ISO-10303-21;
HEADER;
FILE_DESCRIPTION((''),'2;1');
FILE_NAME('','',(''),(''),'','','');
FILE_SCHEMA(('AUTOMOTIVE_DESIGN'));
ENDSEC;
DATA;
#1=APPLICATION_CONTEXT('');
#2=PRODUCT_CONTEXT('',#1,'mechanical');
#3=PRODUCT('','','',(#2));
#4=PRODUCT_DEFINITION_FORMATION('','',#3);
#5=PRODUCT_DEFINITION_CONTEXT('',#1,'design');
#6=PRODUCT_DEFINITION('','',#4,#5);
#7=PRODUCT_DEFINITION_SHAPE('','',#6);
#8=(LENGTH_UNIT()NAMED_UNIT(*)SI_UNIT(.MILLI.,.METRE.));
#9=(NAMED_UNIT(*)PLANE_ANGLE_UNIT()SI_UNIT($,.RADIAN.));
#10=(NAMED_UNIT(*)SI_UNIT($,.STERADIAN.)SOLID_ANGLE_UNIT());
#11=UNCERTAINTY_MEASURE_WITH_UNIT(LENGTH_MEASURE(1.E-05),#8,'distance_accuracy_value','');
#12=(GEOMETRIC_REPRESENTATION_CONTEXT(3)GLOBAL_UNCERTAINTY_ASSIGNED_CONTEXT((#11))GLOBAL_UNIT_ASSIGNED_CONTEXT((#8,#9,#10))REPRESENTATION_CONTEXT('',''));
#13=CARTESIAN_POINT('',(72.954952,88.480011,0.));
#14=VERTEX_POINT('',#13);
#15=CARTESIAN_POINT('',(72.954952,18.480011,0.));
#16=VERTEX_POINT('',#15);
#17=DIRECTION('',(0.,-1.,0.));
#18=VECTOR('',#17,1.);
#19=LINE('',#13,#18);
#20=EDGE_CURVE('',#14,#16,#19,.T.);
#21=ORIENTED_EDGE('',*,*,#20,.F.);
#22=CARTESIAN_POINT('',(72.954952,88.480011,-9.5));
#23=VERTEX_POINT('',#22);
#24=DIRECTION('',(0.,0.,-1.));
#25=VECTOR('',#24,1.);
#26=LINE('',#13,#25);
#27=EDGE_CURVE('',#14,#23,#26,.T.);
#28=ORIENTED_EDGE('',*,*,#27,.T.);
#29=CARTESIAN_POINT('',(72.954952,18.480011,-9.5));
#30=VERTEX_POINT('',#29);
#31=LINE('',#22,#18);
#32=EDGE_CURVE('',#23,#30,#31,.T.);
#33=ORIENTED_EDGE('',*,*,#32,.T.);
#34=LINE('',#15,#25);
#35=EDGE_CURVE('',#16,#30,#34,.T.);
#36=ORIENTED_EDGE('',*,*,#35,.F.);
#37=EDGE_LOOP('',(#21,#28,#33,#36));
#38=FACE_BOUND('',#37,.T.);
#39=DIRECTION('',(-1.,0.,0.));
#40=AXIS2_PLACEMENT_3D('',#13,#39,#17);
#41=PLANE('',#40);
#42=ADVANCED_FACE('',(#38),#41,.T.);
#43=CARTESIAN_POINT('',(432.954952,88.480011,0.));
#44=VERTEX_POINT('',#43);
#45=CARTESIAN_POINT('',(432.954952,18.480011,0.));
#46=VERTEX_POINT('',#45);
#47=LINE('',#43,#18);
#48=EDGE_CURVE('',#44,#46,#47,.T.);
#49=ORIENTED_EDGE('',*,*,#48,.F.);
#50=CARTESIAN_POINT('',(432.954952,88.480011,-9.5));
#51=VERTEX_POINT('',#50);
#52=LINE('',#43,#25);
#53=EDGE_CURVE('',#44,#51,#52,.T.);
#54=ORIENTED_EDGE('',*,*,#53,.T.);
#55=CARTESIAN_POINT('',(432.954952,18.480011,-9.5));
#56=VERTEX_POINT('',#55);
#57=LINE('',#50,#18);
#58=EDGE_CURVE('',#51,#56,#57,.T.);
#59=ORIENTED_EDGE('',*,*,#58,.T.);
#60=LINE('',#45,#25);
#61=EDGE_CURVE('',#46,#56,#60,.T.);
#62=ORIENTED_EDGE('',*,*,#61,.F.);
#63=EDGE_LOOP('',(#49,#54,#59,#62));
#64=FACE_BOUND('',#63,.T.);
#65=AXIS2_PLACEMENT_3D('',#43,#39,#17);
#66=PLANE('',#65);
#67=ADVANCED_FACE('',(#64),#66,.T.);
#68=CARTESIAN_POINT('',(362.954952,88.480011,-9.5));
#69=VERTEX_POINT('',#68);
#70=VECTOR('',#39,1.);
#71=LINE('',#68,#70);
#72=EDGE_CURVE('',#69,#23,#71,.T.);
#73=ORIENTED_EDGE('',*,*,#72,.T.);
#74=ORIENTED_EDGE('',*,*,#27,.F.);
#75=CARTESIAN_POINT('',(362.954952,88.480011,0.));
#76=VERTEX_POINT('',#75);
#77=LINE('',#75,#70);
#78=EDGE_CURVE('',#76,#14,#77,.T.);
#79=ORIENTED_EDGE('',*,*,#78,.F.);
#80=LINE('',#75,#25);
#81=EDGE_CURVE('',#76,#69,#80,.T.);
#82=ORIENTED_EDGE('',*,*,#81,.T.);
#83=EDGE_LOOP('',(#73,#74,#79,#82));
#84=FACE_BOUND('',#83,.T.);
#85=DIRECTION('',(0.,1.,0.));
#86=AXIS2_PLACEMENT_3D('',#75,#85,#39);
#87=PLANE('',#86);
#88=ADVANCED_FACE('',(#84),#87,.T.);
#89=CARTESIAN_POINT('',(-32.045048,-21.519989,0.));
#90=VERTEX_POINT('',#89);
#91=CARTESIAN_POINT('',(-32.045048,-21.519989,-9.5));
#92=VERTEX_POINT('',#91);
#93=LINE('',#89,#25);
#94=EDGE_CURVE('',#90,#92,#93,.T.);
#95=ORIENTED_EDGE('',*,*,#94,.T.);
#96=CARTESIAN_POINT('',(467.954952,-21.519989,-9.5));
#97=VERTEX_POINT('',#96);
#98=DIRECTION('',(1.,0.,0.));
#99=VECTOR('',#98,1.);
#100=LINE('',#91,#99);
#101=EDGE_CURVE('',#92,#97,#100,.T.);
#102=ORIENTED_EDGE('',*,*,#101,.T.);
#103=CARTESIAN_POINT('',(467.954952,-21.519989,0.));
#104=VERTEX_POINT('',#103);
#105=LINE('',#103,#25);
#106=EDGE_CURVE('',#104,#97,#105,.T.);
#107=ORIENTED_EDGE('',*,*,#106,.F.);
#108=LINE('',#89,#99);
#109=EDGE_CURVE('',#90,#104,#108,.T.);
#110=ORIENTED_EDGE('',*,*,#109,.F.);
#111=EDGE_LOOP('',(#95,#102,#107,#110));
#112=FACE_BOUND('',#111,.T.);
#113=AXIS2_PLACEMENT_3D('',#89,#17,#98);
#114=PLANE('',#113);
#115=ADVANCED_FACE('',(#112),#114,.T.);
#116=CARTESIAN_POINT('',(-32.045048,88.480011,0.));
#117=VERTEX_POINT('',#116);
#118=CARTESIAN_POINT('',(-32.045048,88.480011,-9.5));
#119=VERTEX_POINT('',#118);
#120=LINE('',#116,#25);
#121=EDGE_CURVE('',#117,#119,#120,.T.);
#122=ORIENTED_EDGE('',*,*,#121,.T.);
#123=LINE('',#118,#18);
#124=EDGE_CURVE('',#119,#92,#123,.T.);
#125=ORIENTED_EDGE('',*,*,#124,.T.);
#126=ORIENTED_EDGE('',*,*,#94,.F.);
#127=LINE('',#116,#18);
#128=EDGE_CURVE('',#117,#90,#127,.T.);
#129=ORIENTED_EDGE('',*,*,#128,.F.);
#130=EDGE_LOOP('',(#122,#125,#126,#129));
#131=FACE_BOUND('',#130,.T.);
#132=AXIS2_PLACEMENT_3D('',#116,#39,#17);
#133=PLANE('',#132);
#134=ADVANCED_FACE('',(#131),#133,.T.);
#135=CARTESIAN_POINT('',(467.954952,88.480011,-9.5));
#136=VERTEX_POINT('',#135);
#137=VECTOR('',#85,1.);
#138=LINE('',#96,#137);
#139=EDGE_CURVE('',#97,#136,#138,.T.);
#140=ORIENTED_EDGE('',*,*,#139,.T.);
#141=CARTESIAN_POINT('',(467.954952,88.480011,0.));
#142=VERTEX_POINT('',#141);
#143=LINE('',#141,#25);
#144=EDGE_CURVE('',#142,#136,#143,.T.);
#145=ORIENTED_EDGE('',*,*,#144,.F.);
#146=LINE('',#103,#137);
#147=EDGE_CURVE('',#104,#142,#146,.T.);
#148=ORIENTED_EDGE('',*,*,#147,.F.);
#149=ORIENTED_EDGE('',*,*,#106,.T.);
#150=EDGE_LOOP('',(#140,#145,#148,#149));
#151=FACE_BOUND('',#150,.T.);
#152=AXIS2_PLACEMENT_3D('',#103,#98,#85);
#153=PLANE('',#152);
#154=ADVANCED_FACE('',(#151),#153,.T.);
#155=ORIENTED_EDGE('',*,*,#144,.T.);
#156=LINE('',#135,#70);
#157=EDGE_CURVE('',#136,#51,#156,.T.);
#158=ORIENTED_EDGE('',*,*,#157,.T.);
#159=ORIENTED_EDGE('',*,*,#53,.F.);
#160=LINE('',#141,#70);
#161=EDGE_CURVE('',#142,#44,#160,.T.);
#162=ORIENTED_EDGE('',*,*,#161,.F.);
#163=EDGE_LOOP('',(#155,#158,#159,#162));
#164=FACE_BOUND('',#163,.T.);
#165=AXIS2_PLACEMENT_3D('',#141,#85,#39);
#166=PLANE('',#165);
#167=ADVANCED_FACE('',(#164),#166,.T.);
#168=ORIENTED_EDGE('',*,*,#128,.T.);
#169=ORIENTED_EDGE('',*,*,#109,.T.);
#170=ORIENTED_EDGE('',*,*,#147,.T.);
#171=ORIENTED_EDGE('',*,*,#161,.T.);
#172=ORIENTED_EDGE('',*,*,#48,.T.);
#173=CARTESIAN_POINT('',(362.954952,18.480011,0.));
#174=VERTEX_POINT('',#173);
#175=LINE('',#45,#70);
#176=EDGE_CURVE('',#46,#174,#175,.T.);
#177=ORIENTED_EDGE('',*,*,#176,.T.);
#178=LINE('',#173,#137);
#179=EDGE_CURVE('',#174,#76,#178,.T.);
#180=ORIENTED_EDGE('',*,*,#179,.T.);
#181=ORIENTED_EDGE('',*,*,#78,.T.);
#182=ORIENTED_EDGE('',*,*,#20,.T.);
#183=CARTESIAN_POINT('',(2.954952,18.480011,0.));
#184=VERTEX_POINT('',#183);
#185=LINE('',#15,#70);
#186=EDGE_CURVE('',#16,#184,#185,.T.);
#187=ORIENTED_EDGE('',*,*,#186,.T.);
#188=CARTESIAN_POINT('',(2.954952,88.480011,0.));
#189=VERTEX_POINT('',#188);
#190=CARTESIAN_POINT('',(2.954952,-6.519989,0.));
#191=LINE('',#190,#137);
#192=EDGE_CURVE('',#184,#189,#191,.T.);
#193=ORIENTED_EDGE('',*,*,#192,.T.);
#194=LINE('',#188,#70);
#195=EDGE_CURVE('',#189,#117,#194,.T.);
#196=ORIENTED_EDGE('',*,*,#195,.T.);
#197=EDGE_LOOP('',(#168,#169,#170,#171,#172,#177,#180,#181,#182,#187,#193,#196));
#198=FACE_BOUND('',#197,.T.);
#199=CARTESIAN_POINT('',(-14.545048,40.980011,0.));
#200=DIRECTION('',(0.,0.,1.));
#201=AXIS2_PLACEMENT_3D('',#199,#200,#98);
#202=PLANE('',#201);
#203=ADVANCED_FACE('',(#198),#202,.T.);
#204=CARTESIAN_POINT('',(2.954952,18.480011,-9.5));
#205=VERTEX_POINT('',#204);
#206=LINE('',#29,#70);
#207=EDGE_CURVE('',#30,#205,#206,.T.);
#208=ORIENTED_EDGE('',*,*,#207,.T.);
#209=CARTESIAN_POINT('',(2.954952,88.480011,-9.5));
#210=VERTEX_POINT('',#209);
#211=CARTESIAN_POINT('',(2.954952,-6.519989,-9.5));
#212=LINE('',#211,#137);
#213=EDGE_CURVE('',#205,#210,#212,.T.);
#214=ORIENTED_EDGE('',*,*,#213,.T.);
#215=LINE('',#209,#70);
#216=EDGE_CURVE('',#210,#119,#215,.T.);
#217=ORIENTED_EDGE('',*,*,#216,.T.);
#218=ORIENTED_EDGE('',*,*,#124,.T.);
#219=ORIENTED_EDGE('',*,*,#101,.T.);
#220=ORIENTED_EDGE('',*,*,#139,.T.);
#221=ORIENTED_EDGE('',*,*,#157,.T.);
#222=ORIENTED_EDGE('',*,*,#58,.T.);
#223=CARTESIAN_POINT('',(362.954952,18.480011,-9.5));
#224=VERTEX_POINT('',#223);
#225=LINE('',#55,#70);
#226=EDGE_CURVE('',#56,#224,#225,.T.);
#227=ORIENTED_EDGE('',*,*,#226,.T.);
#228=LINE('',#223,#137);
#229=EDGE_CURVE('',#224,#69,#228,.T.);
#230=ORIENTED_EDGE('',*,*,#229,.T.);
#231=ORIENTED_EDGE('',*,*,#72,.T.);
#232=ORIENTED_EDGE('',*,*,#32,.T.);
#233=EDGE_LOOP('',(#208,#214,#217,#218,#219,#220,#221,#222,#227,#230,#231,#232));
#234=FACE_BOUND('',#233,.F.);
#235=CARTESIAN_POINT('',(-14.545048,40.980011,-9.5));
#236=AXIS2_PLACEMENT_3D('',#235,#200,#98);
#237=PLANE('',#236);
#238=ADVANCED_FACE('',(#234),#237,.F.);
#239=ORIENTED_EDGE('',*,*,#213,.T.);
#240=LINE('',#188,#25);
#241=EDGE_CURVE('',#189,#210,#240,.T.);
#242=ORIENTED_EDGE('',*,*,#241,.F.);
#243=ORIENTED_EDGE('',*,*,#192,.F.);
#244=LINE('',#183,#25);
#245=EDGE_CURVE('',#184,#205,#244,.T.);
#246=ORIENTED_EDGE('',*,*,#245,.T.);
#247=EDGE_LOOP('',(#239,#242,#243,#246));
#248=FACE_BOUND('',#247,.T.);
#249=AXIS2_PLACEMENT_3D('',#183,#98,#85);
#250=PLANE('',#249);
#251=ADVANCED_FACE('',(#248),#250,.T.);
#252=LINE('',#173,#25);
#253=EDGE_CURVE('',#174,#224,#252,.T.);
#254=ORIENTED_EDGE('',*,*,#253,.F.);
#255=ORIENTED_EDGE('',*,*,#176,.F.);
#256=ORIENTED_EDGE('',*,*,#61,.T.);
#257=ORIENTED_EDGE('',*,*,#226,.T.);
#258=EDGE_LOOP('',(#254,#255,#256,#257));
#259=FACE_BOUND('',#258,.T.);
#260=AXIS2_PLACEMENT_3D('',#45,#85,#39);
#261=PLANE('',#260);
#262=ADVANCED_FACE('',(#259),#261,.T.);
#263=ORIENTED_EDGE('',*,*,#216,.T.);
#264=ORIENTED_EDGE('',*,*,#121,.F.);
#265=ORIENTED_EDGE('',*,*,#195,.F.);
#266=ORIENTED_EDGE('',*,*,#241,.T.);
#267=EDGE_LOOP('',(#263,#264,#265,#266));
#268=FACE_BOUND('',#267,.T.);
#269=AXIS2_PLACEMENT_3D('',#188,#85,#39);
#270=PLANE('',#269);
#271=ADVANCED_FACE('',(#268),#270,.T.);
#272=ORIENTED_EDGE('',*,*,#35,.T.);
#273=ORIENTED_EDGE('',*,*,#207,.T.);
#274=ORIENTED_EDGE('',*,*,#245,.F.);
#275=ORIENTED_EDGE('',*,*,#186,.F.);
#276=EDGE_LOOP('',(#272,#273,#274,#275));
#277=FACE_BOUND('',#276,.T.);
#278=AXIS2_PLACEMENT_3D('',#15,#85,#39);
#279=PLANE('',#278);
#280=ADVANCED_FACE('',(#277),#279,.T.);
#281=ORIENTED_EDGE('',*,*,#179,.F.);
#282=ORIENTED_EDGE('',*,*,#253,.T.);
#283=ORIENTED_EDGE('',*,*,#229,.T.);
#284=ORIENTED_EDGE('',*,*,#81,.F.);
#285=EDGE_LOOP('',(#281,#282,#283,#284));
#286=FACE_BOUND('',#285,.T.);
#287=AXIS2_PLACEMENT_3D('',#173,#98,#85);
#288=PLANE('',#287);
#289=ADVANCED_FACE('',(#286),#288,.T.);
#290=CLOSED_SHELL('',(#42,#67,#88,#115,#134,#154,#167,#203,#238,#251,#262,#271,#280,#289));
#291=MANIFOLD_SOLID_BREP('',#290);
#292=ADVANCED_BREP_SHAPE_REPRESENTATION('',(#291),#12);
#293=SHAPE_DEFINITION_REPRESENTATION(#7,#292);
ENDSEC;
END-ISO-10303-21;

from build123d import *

# Parameters (mm, degrees)
F0_W     = 35
F0_H     = 15
F0_W_2   = 430
F1_DEPTH = 9.5


with BuildPart() as f1:
    # F0 (on Top) → F1 (new body)
    with BuildSketch(Plane.XY):
        Polygon((-32.0450477302, 88.4800112247), (-32.0450477302, -6.5199887753), (2.9549522698, -6.5199887753), (2.9549522698, 18.4800112247), (2.9549522698, 88.4800112247), align=None)
        Polygon((2.9549522698, 18.4800112247), (2.9549522698, -6.5199887753), (432.9549522698, -6.5199887753), (432.9549522698, 18.4800112247), (362.9549522698, 18.4800112247), (362.9549522698, 88.4800112247), (72.9549522698, 88.4800112247), (72.9549522698, 18.4800112247), align=None)
        Polygon((432.9549522698, 18.4800112247), (432.9549522698, -6.5199887753), (467.9549522698, -6.5199887753), (467.9549522698, 88.4800112247), (432.9549522698, 88.4800112247), align=None)
        with Locations((-14.5450477302, -14.0199887753)):
            Rectangle(F0_W, F0_H)
        with Locations((217.9549522698, -14.0199887753)):
            Rectangle(F0_W_2, F0_H)
        with Locations((450.4549522698, -14.0199887753)):
            Rectangle(F0_W, F0_H)
    extrude(amount=-F1_DEPTH)


solid = f1.part
